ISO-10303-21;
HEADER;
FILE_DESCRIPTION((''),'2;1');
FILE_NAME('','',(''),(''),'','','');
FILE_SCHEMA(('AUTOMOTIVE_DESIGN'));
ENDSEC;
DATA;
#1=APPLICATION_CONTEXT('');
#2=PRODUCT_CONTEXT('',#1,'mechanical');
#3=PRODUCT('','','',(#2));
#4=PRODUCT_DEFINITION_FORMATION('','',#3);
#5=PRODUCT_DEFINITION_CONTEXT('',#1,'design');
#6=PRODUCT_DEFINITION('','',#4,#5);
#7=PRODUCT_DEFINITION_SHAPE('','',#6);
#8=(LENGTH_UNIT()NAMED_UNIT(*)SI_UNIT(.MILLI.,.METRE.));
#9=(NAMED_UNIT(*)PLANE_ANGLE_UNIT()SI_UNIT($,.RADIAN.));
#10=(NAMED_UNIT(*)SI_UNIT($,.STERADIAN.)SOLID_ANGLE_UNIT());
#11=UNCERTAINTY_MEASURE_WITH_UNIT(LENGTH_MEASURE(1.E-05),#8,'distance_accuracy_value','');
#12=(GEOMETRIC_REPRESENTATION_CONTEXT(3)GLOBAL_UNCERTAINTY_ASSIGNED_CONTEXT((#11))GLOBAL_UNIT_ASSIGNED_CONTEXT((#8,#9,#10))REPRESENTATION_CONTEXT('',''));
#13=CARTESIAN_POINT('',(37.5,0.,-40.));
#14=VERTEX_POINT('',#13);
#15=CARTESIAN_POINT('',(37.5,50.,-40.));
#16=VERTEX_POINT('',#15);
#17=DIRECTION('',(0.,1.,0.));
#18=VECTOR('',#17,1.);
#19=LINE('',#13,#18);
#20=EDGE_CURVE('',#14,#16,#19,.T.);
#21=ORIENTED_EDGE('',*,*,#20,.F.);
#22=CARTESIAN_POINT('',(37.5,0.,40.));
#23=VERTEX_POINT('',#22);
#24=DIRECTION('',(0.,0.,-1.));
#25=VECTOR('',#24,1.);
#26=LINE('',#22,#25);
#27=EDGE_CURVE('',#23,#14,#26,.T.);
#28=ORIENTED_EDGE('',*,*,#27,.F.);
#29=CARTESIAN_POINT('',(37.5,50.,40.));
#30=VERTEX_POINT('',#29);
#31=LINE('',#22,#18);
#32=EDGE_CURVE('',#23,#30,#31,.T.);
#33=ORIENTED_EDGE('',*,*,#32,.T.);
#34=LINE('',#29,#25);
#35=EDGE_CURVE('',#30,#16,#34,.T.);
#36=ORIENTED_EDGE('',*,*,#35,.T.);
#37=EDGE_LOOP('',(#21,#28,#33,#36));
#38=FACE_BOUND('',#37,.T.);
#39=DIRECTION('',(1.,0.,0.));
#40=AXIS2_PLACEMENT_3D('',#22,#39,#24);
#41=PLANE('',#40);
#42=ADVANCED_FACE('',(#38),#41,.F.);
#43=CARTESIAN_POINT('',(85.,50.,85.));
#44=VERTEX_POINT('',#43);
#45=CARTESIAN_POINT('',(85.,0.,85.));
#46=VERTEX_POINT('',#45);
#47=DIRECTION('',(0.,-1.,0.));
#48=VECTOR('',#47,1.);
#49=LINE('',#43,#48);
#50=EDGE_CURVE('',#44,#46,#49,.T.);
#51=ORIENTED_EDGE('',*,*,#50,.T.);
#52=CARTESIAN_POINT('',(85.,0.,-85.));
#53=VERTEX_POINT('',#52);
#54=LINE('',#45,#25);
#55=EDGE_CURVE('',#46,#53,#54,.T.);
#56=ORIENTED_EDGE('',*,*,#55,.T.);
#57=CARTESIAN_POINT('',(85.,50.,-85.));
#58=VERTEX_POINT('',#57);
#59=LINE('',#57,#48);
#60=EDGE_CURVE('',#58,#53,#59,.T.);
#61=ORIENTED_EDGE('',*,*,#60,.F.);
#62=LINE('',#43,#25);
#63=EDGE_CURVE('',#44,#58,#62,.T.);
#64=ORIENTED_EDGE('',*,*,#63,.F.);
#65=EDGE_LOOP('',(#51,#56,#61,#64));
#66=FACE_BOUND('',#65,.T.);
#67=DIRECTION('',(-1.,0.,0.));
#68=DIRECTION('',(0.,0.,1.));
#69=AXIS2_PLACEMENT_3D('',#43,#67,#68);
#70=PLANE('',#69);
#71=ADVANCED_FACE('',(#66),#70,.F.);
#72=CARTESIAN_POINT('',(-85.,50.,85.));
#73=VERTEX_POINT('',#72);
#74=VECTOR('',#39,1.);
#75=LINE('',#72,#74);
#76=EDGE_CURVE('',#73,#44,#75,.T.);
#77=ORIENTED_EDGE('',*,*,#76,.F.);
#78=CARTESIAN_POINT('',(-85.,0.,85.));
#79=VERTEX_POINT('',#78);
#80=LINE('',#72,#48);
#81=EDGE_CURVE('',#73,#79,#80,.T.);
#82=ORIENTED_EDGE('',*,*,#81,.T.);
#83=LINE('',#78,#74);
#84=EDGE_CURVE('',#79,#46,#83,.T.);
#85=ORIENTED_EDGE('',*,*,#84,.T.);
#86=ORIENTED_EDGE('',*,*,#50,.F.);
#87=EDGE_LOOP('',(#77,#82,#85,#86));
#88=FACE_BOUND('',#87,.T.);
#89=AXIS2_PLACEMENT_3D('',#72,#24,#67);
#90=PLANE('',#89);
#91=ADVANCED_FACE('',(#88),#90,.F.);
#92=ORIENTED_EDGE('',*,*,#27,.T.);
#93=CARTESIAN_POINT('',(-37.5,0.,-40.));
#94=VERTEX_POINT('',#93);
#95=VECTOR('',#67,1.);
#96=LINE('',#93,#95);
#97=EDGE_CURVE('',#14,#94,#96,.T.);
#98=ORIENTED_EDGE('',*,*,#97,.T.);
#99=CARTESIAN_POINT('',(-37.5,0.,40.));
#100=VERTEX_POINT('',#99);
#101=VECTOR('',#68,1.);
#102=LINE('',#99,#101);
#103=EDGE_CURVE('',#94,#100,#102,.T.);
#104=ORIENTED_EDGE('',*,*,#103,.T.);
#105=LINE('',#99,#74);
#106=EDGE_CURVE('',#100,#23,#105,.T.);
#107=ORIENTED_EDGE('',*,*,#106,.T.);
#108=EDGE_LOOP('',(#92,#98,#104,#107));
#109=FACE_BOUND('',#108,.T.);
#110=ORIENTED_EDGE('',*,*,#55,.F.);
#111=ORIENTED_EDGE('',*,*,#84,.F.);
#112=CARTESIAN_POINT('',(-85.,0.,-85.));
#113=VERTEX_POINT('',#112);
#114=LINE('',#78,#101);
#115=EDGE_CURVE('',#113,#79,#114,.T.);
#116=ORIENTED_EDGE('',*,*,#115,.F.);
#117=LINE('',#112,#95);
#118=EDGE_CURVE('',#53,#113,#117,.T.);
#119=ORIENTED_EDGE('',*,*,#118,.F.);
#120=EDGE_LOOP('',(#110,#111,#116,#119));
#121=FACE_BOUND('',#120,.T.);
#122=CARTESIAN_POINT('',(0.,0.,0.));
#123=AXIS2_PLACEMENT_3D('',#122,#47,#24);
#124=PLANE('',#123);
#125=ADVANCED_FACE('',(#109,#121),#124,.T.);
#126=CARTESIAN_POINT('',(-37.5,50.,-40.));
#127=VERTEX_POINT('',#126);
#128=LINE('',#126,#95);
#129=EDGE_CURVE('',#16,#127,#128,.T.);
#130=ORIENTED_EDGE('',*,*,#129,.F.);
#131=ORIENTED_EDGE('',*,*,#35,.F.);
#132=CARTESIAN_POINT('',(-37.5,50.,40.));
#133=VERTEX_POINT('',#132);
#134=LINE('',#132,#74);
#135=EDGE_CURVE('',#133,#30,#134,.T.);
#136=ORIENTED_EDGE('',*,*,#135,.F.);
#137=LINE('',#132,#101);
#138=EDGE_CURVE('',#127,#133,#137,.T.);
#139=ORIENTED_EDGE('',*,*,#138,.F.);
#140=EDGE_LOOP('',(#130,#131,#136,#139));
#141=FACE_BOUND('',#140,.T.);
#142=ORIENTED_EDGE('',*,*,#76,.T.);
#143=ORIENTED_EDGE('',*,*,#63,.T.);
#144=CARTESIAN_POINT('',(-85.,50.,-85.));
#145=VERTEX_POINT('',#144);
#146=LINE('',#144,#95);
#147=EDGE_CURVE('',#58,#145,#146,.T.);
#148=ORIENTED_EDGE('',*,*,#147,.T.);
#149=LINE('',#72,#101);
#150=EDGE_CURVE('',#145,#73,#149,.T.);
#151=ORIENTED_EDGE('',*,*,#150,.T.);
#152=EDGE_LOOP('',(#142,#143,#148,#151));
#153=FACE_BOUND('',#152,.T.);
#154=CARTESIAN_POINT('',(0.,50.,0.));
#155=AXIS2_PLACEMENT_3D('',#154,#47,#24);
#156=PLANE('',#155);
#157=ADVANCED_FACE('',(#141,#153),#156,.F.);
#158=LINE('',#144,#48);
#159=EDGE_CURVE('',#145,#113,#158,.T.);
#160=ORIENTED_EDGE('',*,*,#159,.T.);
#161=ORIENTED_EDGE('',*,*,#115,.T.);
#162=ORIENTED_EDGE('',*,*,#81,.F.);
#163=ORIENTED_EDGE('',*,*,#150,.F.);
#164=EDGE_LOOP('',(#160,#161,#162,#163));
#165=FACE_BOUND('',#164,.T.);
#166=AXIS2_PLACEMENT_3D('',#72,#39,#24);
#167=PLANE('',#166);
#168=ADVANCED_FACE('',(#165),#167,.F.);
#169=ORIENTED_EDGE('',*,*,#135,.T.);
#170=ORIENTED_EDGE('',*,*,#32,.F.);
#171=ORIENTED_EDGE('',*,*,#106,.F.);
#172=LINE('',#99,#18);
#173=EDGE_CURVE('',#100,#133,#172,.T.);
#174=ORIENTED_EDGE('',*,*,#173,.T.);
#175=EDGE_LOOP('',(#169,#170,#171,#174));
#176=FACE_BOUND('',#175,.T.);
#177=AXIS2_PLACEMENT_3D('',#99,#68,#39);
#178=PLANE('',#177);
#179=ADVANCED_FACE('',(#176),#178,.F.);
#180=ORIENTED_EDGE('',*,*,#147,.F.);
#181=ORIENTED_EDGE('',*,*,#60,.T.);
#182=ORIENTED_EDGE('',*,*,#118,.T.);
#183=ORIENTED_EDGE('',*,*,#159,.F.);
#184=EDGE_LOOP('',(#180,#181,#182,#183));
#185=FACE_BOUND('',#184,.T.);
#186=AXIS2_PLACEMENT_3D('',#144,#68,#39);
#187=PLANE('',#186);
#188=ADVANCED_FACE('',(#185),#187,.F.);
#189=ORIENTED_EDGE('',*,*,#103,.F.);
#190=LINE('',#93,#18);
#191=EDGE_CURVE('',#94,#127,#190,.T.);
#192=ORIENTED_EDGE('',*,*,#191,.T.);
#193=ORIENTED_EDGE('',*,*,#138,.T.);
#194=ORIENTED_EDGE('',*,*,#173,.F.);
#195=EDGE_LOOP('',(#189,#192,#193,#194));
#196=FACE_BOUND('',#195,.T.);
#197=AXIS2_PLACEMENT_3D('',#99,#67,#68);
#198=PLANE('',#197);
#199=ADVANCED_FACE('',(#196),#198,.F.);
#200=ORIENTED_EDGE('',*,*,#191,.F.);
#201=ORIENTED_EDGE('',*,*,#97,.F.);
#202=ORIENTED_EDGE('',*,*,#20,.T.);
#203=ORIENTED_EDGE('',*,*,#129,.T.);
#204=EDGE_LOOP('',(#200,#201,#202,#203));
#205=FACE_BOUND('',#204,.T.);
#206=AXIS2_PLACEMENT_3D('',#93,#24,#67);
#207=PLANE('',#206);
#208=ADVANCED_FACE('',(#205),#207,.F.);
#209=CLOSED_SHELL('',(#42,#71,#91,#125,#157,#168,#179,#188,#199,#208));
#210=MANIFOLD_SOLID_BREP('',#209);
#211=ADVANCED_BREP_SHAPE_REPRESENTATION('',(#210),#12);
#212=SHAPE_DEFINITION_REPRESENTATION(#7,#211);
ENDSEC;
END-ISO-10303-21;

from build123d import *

# Parameters (mm, degrees)
SKETCH1_W           = 170
SKETCH1_H           = 170
BOSS_EXTRUDE1_DEPTH = 50
SKETCH2_W           = 75
SKETCH2_H           = 80
CUT_EXTRUDE1_DEPTH  = 50


with BuildPart() as part:
    # Sketch1 → Boss-Extrude1 (new body)
    with BuildSketch(Plane(origin=(0, 0, 0), x_dir=(1, 0, 0), z_dir=(0, 1, 0))):
        Rectangle(SKETCH1_W, SKETCH1_H)
    extrude(amount=BOSS_EXTRUDE1_DEPTH)

    # Sketch2 → Cut-Extrude1 (cut)
    with BuildSketch(Plane(origin=(0, 50, 0), x_dir=(1, 0, 0), z_dir=(0, 1, 0))):
        Rectangle(SKETCH2_W, SKETCH2_H)
    extrude(amount=-CUT_EXTRUDE1_DEPTH, mode=Mode.SUBTRACT)


solid = part.part
